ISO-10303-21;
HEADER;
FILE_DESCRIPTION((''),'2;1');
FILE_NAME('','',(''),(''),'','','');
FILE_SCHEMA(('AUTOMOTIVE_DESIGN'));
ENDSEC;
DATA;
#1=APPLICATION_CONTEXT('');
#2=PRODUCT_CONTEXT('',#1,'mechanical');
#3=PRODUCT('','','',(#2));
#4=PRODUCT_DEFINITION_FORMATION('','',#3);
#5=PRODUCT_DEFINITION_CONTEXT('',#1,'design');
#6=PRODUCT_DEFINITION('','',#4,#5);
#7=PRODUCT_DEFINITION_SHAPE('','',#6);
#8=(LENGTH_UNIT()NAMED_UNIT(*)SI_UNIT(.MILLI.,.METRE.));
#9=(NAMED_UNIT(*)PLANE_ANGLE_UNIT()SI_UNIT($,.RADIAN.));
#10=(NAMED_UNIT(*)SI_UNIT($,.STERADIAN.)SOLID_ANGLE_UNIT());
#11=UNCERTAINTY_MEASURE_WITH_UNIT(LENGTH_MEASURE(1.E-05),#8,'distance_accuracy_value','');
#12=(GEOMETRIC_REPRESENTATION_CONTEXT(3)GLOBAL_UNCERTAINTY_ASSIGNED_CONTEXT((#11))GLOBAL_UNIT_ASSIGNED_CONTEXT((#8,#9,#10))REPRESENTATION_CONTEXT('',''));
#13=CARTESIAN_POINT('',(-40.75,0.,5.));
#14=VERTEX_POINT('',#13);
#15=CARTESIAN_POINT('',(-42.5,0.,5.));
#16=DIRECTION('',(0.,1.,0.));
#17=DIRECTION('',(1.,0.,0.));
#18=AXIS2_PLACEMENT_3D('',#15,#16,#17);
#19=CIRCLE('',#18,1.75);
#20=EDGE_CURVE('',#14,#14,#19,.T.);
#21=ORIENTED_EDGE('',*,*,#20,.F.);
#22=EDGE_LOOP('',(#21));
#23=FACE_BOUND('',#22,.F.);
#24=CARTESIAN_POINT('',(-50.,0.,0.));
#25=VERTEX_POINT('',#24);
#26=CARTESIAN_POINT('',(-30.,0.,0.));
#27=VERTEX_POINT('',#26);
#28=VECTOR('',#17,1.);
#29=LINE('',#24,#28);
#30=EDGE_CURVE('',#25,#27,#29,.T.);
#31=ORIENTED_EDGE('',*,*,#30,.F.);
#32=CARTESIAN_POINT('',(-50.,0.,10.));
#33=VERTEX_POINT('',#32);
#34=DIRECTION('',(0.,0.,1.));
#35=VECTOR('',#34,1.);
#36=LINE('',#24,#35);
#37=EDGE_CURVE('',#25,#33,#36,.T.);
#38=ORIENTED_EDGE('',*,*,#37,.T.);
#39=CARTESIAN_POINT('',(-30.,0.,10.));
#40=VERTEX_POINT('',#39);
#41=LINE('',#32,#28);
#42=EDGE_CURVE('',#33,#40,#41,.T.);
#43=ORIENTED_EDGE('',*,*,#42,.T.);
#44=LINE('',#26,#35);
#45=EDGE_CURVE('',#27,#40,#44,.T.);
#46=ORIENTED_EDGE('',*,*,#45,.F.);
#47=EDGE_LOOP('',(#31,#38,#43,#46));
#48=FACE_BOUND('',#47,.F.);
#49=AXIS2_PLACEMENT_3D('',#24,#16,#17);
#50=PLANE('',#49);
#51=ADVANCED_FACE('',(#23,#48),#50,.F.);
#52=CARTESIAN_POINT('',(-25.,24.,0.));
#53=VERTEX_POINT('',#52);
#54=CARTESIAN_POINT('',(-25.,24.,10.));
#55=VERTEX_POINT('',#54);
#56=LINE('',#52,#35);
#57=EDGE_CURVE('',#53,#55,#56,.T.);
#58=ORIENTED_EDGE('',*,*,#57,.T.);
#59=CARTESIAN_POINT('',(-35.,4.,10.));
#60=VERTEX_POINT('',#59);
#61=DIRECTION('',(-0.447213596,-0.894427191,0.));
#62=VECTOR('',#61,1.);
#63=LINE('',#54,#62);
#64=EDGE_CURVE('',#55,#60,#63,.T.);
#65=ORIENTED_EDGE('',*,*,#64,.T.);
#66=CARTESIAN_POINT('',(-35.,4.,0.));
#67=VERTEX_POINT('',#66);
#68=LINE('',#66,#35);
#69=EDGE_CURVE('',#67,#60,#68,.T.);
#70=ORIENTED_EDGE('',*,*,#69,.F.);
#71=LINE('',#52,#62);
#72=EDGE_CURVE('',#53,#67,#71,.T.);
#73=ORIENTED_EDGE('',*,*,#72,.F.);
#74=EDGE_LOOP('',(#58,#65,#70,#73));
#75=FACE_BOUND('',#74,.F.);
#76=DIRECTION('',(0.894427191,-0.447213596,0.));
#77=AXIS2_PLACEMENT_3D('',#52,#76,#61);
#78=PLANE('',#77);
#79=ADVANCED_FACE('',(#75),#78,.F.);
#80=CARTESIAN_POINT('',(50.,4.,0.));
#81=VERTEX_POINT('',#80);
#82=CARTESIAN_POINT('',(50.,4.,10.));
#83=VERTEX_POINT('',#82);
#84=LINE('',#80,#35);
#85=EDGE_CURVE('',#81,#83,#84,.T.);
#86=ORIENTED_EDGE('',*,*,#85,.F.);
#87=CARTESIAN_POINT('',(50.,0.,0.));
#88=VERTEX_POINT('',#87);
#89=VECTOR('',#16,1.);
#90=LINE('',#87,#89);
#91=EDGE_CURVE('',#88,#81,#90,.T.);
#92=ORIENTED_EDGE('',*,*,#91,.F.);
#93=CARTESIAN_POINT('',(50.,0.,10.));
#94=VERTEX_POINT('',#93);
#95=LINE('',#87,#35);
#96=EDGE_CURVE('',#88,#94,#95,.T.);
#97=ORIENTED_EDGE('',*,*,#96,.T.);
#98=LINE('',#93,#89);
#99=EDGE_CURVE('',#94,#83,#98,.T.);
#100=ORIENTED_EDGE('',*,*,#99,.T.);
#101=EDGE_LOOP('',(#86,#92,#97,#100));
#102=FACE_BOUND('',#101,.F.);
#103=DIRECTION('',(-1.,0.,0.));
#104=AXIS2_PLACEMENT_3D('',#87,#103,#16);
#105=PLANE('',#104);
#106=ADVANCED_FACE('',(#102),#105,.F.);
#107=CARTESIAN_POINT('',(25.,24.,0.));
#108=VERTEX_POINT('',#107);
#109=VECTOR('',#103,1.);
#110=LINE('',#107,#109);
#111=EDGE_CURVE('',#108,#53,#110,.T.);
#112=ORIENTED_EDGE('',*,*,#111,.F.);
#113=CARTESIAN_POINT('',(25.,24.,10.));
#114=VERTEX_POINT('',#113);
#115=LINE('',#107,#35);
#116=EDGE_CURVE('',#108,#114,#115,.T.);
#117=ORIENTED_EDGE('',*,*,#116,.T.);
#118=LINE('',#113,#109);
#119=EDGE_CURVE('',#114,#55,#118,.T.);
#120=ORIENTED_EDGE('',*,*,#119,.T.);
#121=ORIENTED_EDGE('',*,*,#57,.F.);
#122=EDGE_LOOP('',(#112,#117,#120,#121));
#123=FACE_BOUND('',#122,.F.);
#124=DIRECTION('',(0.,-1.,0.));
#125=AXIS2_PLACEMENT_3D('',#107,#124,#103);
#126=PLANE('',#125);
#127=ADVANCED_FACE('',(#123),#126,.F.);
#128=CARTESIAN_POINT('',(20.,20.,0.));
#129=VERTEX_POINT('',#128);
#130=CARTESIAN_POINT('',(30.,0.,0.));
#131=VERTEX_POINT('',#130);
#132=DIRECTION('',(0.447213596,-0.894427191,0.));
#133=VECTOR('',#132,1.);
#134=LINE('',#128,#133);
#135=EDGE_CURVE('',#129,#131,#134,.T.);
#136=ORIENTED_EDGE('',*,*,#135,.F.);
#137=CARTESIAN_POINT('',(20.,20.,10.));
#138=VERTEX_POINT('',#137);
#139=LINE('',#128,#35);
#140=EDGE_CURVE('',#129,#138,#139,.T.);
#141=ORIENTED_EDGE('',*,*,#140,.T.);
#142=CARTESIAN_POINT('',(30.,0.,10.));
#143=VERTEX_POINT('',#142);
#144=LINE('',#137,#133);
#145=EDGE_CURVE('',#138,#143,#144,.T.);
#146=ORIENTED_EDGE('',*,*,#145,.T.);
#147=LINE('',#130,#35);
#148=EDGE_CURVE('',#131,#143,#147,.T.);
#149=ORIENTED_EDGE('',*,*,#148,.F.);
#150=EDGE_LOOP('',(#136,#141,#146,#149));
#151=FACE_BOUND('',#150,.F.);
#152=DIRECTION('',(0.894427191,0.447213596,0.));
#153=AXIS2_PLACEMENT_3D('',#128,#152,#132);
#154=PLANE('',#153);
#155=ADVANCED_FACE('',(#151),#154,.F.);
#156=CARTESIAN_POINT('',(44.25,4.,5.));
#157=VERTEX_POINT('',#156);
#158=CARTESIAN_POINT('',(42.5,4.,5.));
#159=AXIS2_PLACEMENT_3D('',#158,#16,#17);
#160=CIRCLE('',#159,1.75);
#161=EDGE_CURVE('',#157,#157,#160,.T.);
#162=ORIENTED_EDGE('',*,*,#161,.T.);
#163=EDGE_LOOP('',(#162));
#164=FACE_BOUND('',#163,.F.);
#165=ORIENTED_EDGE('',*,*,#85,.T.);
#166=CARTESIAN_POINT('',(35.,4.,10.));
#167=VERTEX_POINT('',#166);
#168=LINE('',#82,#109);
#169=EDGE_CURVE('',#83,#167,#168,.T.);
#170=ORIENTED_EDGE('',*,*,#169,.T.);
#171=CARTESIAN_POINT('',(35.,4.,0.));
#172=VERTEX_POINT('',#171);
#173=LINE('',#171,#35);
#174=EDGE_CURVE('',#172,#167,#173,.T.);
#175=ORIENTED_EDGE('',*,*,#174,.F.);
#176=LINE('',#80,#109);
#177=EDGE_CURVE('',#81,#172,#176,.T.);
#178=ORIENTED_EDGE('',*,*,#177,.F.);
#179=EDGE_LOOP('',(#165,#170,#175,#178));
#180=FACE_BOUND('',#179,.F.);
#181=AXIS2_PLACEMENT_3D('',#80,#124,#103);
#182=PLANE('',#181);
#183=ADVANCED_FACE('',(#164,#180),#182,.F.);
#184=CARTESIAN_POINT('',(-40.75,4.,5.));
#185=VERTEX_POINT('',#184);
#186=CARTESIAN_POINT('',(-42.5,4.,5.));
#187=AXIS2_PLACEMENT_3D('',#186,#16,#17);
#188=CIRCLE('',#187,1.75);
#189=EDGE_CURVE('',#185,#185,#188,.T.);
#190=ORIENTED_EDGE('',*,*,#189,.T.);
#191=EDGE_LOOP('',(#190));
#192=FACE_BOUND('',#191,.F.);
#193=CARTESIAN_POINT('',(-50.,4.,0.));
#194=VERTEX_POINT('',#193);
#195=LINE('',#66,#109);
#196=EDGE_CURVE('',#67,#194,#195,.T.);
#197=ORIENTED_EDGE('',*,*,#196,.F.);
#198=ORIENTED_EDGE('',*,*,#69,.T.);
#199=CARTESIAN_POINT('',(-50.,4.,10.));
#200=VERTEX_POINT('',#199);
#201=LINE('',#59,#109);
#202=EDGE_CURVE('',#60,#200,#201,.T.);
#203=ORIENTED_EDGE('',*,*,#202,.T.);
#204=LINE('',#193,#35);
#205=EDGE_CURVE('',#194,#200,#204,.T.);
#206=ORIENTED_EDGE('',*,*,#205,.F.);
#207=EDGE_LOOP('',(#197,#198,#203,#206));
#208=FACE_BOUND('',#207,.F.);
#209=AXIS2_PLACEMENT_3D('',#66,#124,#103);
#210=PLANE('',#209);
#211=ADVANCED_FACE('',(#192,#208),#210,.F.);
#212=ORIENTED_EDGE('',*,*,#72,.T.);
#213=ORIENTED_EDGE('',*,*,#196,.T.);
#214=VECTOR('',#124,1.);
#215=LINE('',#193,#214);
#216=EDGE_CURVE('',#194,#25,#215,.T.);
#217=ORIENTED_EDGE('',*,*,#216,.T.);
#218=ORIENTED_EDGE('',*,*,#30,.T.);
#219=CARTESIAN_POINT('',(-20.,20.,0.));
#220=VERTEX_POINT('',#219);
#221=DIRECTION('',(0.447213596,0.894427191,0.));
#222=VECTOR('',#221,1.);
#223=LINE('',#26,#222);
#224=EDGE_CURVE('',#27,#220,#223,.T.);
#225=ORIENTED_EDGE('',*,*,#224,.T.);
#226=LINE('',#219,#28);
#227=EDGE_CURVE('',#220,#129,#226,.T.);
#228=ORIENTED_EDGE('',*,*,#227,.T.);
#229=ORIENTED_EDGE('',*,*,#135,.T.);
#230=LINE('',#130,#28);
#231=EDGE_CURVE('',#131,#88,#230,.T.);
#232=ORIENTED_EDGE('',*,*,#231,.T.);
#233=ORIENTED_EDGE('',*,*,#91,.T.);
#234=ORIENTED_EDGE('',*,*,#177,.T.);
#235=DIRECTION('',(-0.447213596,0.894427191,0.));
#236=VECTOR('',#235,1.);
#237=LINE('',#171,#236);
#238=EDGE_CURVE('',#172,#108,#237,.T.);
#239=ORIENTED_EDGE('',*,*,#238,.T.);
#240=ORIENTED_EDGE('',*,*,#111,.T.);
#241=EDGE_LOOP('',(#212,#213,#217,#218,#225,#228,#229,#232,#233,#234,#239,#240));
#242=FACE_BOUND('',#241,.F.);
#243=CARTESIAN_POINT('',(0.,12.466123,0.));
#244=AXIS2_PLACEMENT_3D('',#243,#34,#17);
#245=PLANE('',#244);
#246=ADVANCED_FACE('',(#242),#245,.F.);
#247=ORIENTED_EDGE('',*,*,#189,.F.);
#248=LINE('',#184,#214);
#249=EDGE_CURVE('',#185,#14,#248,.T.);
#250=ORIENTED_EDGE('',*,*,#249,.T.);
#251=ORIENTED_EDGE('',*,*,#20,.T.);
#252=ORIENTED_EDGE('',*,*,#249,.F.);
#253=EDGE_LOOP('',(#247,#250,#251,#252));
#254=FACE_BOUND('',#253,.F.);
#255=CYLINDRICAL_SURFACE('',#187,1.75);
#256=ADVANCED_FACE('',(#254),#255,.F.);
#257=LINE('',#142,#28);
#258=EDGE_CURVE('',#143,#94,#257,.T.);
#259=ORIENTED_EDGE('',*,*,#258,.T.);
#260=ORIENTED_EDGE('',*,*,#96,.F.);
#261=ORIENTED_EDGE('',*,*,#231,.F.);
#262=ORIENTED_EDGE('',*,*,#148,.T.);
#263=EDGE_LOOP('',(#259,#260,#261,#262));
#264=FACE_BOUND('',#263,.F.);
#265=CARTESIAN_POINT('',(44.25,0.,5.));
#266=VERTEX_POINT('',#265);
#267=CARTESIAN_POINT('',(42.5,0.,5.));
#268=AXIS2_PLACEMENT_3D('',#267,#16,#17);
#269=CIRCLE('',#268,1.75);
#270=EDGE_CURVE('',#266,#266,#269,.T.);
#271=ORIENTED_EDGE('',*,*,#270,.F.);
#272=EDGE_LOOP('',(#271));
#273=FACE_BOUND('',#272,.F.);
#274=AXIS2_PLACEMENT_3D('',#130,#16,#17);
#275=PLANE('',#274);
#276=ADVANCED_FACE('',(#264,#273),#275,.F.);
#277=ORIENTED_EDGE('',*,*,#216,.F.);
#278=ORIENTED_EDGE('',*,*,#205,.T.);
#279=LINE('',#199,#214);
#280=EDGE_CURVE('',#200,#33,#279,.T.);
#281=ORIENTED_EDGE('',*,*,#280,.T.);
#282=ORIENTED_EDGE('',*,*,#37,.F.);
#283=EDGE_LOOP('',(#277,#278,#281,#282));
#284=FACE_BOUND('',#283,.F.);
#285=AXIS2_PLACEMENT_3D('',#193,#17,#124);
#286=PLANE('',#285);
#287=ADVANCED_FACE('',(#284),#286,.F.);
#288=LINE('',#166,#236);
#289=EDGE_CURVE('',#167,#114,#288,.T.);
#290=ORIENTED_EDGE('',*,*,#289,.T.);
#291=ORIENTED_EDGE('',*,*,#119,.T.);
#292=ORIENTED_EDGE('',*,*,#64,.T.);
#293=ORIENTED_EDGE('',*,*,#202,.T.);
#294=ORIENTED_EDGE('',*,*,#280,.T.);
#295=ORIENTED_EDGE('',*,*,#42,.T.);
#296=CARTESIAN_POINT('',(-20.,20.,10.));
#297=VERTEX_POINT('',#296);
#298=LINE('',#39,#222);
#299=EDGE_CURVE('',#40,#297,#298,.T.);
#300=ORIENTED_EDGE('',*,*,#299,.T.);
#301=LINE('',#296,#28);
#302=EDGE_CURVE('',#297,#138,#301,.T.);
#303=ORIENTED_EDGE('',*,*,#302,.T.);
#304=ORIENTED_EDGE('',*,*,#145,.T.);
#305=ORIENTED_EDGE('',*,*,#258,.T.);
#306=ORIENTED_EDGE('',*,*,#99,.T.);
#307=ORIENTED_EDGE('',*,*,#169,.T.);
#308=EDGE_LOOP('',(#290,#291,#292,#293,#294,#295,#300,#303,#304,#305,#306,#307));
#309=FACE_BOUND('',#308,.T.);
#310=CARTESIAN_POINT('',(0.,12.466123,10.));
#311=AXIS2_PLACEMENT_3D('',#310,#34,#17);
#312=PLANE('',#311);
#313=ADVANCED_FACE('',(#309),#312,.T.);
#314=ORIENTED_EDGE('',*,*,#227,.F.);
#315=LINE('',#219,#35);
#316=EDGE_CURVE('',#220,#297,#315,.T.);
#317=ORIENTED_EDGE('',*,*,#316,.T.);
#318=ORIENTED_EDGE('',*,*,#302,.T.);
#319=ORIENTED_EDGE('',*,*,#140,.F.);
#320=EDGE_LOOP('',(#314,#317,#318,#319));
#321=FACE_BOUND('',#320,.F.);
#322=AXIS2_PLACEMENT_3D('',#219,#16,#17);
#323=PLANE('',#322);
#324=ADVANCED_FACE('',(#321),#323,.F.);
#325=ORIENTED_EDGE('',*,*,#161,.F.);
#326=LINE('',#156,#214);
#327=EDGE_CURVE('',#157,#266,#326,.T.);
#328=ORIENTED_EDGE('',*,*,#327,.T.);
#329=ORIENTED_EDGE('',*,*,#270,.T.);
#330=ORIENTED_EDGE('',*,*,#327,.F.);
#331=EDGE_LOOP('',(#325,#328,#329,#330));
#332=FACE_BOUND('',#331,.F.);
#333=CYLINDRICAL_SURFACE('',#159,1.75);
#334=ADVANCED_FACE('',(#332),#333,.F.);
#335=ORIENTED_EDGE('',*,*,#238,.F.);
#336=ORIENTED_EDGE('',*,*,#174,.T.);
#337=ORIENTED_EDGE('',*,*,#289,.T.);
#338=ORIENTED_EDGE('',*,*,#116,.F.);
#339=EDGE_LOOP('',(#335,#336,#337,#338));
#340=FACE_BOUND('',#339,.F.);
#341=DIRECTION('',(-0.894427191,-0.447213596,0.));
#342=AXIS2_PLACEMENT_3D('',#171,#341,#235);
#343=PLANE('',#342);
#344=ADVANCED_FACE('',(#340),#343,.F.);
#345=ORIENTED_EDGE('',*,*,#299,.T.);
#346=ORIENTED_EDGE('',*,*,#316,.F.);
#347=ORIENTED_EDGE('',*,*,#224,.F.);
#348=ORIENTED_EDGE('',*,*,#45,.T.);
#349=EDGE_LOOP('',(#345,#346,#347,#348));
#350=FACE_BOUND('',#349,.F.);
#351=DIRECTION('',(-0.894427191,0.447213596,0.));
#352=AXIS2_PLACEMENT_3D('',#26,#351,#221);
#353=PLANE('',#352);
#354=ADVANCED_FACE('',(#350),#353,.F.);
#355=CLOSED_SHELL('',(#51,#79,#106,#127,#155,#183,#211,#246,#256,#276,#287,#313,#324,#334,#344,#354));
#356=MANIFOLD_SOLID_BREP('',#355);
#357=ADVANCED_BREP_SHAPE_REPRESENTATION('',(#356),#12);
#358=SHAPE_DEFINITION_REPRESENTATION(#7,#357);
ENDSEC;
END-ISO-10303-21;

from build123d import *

# Parameters (mm, degrees)
BOSS_EXTRUDE1_DEPTH = 10
SKETCH2_R           = 1.75
CUT_EXTRUDE1_DEPTH  = 5


with BuildPart() as part:
    # Sketch1 → Boss-Extrude1 (new body)
    with BuildSketch(Plane.XY):
        Polygon((35, 4), (25, 24), (-25, 24), (-35, 4), (-50, 4), (-50, 0), (-30, 0), (-20, 20), (20, 20), (30, 0), (50, 0), (50, 4), align=None)
    extrude(amount=BOSS_EXTRUDE1_DEPTH)

    # Sketch2 → Cut-Extrude1 (cut, through all)
    with BuildSketch(Plane(origin=(0, 4, 0), x_dir=(1, 0, 0), z_dir=(0, 1, 0))):
        with Locations((42.5, -5)):
            Circle(SKETCH2_R)
        with Locations((-42.5, -5)):
            Circle(SKETCH2_R)
    extrude(amount=-CUT_EXTRUDE1_DEPTH, mode=Mode.SUBTRACT)


solid = part.part
